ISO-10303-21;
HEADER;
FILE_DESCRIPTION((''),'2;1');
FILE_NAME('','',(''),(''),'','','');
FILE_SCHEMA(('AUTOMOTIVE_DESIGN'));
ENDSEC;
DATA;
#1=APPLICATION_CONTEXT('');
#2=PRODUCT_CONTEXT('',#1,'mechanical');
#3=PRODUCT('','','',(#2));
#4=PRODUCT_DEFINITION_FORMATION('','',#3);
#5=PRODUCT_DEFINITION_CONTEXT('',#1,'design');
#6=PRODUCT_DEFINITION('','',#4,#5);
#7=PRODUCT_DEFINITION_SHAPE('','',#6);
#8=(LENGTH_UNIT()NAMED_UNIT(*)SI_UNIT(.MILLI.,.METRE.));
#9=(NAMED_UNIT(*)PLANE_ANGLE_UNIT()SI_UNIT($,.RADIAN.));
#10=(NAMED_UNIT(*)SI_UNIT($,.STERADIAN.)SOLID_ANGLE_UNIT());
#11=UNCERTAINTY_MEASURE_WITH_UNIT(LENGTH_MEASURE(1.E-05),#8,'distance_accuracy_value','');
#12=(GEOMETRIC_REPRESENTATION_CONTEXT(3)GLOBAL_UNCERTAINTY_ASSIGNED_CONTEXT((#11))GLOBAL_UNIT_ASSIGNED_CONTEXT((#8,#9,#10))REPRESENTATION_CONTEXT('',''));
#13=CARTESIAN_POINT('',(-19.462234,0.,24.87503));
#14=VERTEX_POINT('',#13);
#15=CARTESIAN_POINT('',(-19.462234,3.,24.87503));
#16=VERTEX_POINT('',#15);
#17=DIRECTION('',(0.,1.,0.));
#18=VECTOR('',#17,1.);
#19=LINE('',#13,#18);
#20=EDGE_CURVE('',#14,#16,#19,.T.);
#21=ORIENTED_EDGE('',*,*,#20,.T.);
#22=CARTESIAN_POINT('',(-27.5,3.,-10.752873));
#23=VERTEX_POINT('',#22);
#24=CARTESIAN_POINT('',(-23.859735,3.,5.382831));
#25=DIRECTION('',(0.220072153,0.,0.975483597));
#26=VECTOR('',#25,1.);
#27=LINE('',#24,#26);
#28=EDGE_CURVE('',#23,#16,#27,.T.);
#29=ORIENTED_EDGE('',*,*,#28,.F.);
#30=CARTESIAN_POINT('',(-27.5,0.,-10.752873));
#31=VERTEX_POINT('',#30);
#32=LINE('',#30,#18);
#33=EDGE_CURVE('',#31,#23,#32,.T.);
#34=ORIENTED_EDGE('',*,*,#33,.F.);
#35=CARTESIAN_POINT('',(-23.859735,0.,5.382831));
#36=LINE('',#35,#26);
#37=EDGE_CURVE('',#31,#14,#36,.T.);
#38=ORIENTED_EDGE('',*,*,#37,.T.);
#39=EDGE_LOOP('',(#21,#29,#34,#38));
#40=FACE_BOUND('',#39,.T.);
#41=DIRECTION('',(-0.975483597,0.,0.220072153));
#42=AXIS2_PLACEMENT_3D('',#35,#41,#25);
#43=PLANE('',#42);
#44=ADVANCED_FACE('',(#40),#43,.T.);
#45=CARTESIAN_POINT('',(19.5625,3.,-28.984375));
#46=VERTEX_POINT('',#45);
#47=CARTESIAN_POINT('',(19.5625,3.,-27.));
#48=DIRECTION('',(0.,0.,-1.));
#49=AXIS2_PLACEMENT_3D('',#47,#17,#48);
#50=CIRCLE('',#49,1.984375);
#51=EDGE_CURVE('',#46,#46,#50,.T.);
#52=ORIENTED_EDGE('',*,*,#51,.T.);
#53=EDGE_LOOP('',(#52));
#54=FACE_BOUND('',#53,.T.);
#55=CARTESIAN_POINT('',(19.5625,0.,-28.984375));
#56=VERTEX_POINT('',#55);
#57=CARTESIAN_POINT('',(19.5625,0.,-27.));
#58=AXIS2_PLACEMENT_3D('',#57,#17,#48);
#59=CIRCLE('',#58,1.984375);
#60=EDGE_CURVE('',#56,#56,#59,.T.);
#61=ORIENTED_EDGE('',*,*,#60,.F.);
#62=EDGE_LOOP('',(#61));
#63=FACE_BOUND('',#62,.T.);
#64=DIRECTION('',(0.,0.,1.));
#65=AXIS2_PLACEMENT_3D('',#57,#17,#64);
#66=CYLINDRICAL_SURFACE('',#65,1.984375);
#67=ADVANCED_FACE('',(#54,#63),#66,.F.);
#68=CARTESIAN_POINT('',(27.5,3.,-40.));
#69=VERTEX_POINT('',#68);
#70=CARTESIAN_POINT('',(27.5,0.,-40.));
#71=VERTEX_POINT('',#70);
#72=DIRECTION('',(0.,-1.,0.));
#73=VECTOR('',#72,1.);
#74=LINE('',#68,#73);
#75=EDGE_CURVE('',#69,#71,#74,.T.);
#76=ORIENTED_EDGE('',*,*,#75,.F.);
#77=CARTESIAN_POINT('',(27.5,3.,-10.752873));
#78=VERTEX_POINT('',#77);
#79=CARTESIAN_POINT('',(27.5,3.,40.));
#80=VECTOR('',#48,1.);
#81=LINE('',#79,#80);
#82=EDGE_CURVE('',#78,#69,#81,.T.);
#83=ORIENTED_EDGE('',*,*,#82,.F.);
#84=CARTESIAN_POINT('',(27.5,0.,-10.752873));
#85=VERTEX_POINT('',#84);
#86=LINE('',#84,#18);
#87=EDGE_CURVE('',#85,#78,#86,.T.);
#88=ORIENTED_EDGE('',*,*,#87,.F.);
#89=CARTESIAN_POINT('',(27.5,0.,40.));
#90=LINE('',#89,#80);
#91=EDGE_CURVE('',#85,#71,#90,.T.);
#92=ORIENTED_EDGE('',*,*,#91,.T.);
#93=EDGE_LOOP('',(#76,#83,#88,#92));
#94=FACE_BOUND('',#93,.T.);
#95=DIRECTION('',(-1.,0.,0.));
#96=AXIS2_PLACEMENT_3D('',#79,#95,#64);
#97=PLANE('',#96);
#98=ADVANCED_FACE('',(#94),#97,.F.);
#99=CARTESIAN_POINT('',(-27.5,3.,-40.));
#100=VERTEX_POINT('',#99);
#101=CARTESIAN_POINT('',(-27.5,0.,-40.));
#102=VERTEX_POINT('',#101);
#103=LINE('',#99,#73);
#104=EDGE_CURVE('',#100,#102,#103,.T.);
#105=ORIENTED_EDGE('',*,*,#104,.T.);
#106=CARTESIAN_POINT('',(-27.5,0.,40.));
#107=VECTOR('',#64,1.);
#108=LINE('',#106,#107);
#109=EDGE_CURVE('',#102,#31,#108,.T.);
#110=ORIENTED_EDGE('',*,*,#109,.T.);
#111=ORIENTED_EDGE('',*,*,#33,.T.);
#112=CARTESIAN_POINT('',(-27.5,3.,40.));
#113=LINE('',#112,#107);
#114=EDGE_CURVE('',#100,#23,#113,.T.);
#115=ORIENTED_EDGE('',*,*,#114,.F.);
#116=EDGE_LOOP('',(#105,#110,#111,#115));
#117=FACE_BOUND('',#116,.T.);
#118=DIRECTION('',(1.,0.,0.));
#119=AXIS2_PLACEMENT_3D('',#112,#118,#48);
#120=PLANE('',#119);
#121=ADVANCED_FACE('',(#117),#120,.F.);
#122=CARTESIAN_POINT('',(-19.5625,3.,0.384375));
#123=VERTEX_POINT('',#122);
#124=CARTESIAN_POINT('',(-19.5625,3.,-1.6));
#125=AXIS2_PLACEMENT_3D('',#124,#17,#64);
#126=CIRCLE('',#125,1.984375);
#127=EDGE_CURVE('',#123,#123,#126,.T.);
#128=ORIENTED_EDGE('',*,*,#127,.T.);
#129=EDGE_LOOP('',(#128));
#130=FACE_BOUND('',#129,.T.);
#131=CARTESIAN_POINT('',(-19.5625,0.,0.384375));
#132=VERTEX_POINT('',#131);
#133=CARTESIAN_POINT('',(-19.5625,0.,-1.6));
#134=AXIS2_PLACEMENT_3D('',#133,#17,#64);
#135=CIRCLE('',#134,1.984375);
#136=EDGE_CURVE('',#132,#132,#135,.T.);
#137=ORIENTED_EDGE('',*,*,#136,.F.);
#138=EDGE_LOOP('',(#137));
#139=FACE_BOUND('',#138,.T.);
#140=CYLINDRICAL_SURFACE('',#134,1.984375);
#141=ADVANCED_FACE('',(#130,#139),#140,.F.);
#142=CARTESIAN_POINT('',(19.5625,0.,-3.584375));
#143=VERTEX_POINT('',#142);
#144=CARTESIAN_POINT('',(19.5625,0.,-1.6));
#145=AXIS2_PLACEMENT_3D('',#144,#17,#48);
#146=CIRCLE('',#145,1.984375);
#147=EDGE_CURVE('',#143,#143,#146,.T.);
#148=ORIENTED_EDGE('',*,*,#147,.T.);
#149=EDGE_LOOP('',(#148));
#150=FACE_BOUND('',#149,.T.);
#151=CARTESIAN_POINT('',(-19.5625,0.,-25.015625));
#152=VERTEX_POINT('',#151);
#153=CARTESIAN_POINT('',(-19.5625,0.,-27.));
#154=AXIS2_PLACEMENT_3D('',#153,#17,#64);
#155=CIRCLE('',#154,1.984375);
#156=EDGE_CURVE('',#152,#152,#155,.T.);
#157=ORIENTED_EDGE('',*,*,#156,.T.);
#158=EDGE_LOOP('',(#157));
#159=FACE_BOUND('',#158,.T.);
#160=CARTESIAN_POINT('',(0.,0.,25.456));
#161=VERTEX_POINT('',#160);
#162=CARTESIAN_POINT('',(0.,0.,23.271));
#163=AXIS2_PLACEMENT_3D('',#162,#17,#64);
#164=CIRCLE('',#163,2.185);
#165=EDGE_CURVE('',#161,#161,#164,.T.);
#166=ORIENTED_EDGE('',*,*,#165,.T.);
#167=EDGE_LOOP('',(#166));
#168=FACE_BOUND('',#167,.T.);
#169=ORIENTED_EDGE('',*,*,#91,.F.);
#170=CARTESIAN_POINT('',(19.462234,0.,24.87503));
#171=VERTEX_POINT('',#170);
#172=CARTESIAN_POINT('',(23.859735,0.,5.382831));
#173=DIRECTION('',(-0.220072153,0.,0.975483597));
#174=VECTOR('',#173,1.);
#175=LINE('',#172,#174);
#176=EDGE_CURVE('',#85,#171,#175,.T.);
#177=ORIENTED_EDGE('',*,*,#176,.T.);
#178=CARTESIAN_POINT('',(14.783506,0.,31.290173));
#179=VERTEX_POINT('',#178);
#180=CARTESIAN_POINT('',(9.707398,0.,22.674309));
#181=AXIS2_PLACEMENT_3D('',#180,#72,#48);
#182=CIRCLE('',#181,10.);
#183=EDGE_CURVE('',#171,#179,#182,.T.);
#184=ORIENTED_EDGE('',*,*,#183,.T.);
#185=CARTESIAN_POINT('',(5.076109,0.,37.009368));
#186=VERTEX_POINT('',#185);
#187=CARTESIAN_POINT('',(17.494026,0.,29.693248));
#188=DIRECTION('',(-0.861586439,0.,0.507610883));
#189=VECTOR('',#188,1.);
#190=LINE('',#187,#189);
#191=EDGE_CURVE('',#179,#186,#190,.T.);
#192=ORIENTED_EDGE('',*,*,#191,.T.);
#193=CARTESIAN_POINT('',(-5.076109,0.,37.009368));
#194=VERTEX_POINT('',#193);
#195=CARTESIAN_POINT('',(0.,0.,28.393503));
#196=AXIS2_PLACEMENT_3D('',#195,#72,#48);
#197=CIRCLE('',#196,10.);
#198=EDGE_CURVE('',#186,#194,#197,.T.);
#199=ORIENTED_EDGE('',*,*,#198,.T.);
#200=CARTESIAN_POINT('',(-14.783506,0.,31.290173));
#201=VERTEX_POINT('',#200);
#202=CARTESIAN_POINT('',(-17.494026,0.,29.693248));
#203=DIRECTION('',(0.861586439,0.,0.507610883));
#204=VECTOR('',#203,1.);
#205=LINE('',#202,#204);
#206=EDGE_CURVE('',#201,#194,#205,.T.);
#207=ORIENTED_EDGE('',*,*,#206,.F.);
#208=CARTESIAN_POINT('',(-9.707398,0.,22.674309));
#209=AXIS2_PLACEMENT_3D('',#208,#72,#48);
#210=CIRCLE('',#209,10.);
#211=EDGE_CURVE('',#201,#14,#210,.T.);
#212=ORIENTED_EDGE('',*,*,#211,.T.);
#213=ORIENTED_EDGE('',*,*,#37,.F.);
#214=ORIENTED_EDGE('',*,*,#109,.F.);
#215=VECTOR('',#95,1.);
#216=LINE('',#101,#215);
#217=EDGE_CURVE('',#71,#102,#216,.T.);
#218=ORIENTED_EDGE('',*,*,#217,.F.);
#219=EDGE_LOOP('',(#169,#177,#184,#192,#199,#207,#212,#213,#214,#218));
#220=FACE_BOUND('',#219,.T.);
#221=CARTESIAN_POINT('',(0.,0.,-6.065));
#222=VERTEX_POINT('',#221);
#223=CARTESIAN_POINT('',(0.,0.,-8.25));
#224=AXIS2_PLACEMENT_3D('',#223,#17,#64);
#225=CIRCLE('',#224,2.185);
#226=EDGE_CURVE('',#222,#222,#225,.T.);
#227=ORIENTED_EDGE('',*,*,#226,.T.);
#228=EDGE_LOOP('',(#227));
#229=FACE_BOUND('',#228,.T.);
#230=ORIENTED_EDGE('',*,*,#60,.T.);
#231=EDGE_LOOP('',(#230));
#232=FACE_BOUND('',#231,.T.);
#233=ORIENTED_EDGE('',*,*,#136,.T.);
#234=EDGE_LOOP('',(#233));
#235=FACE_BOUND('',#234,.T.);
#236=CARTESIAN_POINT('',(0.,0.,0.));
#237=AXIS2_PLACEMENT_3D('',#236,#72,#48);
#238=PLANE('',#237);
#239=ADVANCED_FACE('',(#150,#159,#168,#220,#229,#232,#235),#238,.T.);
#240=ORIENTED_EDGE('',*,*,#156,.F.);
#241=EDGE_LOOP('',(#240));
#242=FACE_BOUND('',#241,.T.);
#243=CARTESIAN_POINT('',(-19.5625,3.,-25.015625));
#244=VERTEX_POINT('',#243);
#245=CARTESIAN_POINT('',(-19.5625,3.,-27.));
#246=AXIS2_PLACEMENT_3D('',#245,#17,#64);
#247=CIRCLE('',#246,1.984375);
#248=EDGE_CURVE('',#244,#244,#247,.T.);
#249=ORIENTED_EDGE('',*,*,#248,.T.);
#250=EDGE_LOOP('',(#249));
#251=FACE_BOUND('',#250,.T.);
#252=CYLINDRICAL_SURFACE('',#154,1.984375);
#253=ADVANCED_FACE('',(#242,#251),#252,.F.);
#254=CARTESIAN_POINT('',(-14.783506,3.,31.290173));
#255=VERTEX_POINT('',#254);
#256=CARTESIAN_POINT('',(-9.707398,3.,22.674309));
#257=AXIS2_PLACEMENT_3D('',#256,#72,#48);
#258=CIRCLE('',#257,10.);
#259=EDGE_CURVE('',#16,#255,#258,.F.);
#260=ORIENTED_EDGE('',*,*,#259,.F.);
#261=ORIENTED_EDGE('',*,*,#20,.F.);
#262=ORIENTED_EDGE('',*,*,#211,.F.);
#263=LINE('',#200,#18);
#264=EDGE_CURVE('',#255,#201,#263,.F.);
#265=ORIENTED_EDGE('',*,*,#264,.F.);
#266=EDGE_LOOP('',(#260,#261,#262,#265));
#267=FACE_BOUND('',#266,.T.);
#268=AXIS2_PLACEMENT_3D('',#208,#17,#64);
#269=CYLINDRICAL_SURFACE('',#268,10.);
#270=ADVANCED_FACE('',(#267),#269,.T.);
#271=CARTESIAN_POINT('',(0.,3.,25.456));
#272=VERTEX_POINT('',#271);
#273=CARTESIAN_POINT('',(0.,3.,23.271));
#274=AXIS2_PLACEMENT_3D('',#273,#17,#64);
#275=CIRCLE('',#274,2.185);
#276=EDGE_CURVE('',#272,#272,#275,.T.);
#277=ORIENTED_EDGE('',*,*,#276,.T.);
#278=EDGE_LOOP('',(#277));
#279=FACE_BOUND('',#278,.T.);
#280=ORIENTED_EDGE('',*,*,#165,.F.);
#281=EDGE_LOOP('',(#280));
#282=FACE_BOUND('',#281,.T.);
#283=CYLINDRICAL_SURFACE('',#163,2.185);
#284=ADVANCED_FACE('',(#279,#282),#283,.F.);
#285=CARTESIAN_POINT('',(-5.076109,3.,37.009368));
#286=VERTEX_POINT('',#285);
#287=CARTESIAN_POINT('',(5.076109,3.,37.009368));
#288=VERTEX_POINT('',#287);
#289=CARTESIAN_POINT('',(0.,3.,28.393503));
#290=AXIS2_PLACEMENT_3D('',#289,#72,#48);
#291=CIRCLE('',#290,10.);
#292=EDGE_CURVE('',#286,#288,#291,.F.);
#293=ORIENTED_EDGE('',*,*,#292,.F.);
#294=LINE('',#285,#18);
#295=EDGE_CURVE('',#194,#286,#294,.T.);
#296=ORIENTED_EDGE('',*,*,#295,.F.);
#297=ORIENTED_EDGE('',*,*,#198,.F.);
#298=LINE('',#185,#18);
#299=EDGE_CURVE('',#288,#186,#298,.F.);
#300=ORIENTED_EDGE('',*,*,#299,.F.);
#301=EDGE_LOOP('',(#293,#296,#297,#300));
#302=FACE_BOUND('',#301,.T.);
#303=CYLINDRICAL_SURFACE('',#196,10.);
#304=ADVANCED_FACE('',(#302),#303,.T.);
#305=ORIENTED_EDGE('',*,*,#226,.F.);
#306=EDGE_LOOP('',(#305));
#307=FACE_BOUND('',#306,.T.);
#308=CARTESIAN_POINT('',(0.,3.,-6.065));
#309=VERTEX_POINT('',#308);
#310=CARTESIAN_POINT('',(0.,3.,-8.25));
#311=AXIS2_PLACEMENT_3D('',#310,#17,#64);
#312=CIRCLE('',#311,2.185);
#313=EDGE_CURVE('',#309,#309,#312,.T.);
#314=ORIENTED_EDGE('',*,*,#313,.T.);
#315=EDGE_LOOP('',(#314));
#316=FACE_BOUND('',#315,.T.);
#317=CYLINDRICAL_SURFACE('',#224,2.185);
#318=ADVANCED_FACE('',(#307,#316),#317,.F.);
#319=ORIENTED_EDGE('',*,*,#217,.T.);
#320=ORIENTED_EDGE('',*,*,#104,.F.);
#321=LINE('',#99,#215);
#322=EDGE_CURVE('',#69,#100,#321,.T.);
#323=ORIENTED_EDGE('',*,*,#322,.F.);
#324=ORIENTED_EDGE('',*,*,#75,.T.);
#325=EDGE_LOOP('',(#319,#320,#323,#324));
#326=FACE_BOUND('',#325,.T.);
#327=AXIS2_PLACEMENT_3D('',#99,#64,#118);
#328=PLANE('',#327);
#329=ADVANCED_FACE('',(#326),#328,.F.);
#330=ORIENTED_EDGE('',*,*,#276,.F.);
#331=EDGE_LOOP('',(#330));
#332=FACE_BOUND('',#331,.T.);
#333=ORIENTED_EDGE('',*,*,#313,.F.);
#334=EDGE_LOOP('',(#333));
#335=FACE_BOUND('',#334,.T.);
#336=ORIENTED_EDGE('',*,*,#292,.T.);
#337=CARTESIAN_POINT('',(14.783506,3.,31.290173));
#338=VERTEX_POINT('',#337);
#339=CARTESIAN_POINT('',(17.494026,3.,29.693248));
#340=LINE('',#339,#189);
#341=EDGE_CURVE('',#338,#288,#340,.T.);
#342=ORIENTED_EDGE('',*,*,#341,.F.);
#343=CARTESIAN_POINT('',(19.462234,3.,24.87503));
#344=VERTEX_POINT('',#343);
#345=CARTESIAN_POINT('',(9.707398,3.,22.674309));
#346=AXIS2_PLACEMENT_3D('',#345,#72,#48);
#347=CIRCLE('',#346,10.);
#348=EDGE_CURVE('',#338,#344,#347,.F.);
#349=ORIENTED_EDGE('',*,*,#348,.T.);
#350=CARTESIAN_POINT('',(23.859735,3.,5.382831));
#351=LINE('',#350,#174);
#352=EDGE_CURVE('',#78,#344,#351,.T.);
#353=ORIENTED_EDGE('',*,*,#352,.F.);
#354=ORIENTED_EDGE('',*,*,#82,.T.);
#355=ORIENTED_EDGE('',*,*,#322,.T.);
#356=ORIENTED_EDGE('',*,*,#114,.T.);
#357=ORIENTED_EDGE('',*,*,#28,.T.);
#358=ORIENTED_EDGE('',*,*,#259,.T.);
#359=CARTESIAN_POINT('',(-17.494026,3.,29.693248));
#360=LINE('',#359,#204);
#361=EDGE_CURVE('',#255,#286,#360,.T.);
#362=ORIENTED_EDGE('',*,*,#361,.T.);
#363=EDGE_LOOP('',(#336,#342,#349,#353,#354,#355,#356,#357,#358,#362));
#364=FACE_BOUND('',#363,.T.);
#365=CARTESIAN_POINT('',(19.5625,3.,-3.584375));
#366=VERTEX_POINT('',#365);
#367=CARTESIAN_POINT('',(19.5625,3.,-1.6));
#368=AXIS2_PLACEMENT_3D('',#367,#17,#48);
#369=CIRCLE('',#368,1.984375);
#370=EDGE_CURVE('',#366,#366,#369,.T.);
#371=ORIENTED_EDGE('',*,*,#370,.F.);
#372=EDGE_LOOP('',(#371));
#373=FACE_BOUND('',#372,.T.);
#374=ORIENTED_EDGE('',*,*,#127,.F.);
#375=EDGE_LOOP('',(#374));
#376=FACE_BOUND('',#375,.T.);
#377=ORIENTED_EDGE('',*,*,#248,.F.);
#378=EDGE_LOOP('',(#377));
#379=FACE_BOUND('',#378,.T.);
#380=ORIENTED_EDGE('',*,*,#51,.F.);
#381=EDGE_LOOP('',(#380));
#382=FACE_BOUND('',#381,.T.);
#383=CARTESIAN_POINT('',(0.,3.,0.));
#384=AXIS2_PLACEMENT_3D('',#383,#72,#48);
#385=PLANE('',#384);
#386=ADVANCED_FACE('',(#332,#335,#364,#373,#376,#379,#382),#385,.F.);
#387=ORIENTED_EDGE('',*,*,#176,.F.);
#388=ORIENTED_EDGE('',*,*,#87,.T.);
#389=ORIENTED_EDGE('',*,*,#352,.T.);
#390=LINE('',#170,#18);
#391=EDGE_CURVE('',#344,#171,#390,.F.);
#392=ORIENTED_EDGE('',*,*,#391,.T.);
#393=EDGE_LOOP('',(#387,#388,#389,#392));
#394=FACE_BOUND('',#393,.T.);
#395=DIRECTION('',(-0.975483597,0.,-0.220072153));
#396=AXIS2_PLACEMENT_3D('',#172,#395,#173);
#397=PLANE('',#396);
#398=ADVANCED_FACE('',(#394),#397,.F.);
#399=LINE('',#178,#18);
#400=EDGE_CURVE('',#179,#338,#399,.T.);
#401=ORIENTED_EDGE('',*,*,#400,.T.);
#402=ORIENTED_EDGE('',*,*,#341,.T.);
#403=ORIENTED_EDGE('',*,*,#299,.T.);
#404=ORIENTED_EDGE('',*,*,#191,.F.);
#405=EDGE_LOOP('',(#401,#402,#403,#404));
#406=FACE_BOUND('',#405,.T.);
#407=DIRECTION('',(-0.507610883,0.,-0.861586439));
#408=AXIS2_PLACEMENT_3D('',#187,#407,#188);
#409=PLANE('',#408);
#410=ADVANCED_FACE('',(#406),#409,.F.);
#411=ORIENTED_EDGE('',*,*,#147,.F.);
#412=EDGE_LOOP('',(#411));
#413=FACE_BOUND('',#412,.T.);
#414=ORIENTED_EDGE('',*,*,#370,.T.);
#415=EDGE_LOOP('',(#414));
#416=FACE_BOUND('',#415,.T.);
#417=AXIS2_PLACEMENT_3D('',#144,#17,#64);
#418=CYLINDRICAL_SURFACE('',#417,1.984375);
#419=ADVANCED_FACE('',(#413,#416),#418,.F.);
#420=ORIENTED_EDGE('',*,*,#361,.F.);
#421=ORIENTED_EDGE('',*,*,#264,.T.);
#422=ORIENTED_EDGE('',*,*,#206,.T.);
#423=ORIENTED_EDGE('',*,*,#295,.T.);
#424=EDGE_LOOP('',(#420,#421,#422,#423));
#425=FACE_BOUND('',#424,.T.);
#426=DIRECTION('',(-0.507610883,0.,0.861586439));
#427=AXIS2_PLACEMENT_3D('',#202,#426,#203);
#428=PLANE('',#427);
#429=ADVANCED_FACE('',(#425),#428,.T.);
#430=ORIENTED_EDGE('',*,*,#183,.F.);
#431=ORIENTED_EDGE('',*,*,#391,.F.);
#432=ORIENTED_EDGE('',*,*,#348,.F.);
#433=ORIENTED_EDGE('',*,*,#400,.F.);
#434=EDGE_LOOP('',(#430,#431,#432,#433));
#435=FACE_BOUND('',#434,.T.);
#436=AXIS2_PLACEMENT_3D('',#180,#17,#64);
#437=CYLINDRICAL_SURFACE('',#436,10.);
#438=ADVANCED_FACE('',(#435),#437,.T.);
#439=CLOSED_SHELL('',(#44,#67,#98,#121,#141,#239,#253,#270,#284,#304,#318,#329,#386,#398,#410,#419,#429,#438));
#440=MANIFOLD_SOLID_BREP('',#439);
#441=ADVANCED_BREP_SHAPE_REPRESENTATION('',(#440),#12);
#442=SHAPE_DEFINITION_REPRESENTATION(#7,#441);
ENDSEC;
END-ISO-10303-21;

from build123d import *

# Parameters (mm, degrees)
SKETCH1_W           = 55
SKETCH1_H           = 80
BOSS_EXTRUDE1_DEPTH = 3
SKETCH2_R           = 2.185
SKETCH2_R_2         = 1.984375
CUT_EXTRUDE1_DEPTH  = 4
CUT_EXTRUDE2_DEPTH  = 4
FILLET1_R           = 10


with BuildPart() as part:
    # Sketch1 → Boss-Extrude1 (new body)
    with BuildSketch(Plane(origin=(0, 0, 0), x_dir=(1, 0, 0), z_dir=(0, 1, 0))):
        Rectangle(SKETCH1_W, SKETCH1_H)
    extrude(amount=BOSS_EXTRUDE1_DEPTH)

    # Sketch2 → Cut-Extrude1 (cut, through all)
    with BuildSketch(Plane(origin=(0, 3, 0), x_dir=(1, 0, 0), z_dir=(0, 1, 0))):
        with Locations((0, 8.25)):
            Circle(SKETCH2_R)
        with Locations((0, -23.271)):
            Circle(SKETCH2_R)
        with Locations((-19.5625, 27)):
            Circle(SKETCH2_R_2)
        with Locations((-19.5625, 1.6)):
            Circle(SKETCH2_R_2)
        with Locations((19.5625, 27)):
            Circle(SKETCH2_R_2)
        with Locations((19.5625, 1.6)):
            Circle(SKETCH2_R_2)
    extrude(amount=-CUT_EXTRUDE1_DEPTH, mode=Mode.SUBTRACT)

    # Sketch3 → Cut-Extrude2 (cut, through all)
    with BuildSketch(Plane(origin=(0, 3, 0), x_dir=(1, 0, 0), z_dir=(0, 1, 0))):
        Polygon((18.510308796, -29.09449619), (0, -40), (27.5, -40), (27.5, 10.752872816), align=None)
    cut_extrude2 = extrude(amount=-CUT_EXTRUDE2_DEPTH, mode=Mode.SUBTRACT)

    # Mirror1: Cut-Extrude2 across plane
    add(cut_extrude2.mirror(Plane(origin=(0, 0, 0), x_dir=(0, 0, 1), z_dir=(1, 0, 0))), mode=Mode.SUBTRACT)

    # Fillet1
    fillet1_edges = [part.edges().sort_by_distance(p)[0] for p in [
        (18.510308796, 1.5, 29.09449619),
        (0, 1.5, 40),
        (-18.510308796, 1.5, 29.09449619),
    ]]
    fillet(fillet1_edges, radius=FILLET1_R)


solid = part.part
